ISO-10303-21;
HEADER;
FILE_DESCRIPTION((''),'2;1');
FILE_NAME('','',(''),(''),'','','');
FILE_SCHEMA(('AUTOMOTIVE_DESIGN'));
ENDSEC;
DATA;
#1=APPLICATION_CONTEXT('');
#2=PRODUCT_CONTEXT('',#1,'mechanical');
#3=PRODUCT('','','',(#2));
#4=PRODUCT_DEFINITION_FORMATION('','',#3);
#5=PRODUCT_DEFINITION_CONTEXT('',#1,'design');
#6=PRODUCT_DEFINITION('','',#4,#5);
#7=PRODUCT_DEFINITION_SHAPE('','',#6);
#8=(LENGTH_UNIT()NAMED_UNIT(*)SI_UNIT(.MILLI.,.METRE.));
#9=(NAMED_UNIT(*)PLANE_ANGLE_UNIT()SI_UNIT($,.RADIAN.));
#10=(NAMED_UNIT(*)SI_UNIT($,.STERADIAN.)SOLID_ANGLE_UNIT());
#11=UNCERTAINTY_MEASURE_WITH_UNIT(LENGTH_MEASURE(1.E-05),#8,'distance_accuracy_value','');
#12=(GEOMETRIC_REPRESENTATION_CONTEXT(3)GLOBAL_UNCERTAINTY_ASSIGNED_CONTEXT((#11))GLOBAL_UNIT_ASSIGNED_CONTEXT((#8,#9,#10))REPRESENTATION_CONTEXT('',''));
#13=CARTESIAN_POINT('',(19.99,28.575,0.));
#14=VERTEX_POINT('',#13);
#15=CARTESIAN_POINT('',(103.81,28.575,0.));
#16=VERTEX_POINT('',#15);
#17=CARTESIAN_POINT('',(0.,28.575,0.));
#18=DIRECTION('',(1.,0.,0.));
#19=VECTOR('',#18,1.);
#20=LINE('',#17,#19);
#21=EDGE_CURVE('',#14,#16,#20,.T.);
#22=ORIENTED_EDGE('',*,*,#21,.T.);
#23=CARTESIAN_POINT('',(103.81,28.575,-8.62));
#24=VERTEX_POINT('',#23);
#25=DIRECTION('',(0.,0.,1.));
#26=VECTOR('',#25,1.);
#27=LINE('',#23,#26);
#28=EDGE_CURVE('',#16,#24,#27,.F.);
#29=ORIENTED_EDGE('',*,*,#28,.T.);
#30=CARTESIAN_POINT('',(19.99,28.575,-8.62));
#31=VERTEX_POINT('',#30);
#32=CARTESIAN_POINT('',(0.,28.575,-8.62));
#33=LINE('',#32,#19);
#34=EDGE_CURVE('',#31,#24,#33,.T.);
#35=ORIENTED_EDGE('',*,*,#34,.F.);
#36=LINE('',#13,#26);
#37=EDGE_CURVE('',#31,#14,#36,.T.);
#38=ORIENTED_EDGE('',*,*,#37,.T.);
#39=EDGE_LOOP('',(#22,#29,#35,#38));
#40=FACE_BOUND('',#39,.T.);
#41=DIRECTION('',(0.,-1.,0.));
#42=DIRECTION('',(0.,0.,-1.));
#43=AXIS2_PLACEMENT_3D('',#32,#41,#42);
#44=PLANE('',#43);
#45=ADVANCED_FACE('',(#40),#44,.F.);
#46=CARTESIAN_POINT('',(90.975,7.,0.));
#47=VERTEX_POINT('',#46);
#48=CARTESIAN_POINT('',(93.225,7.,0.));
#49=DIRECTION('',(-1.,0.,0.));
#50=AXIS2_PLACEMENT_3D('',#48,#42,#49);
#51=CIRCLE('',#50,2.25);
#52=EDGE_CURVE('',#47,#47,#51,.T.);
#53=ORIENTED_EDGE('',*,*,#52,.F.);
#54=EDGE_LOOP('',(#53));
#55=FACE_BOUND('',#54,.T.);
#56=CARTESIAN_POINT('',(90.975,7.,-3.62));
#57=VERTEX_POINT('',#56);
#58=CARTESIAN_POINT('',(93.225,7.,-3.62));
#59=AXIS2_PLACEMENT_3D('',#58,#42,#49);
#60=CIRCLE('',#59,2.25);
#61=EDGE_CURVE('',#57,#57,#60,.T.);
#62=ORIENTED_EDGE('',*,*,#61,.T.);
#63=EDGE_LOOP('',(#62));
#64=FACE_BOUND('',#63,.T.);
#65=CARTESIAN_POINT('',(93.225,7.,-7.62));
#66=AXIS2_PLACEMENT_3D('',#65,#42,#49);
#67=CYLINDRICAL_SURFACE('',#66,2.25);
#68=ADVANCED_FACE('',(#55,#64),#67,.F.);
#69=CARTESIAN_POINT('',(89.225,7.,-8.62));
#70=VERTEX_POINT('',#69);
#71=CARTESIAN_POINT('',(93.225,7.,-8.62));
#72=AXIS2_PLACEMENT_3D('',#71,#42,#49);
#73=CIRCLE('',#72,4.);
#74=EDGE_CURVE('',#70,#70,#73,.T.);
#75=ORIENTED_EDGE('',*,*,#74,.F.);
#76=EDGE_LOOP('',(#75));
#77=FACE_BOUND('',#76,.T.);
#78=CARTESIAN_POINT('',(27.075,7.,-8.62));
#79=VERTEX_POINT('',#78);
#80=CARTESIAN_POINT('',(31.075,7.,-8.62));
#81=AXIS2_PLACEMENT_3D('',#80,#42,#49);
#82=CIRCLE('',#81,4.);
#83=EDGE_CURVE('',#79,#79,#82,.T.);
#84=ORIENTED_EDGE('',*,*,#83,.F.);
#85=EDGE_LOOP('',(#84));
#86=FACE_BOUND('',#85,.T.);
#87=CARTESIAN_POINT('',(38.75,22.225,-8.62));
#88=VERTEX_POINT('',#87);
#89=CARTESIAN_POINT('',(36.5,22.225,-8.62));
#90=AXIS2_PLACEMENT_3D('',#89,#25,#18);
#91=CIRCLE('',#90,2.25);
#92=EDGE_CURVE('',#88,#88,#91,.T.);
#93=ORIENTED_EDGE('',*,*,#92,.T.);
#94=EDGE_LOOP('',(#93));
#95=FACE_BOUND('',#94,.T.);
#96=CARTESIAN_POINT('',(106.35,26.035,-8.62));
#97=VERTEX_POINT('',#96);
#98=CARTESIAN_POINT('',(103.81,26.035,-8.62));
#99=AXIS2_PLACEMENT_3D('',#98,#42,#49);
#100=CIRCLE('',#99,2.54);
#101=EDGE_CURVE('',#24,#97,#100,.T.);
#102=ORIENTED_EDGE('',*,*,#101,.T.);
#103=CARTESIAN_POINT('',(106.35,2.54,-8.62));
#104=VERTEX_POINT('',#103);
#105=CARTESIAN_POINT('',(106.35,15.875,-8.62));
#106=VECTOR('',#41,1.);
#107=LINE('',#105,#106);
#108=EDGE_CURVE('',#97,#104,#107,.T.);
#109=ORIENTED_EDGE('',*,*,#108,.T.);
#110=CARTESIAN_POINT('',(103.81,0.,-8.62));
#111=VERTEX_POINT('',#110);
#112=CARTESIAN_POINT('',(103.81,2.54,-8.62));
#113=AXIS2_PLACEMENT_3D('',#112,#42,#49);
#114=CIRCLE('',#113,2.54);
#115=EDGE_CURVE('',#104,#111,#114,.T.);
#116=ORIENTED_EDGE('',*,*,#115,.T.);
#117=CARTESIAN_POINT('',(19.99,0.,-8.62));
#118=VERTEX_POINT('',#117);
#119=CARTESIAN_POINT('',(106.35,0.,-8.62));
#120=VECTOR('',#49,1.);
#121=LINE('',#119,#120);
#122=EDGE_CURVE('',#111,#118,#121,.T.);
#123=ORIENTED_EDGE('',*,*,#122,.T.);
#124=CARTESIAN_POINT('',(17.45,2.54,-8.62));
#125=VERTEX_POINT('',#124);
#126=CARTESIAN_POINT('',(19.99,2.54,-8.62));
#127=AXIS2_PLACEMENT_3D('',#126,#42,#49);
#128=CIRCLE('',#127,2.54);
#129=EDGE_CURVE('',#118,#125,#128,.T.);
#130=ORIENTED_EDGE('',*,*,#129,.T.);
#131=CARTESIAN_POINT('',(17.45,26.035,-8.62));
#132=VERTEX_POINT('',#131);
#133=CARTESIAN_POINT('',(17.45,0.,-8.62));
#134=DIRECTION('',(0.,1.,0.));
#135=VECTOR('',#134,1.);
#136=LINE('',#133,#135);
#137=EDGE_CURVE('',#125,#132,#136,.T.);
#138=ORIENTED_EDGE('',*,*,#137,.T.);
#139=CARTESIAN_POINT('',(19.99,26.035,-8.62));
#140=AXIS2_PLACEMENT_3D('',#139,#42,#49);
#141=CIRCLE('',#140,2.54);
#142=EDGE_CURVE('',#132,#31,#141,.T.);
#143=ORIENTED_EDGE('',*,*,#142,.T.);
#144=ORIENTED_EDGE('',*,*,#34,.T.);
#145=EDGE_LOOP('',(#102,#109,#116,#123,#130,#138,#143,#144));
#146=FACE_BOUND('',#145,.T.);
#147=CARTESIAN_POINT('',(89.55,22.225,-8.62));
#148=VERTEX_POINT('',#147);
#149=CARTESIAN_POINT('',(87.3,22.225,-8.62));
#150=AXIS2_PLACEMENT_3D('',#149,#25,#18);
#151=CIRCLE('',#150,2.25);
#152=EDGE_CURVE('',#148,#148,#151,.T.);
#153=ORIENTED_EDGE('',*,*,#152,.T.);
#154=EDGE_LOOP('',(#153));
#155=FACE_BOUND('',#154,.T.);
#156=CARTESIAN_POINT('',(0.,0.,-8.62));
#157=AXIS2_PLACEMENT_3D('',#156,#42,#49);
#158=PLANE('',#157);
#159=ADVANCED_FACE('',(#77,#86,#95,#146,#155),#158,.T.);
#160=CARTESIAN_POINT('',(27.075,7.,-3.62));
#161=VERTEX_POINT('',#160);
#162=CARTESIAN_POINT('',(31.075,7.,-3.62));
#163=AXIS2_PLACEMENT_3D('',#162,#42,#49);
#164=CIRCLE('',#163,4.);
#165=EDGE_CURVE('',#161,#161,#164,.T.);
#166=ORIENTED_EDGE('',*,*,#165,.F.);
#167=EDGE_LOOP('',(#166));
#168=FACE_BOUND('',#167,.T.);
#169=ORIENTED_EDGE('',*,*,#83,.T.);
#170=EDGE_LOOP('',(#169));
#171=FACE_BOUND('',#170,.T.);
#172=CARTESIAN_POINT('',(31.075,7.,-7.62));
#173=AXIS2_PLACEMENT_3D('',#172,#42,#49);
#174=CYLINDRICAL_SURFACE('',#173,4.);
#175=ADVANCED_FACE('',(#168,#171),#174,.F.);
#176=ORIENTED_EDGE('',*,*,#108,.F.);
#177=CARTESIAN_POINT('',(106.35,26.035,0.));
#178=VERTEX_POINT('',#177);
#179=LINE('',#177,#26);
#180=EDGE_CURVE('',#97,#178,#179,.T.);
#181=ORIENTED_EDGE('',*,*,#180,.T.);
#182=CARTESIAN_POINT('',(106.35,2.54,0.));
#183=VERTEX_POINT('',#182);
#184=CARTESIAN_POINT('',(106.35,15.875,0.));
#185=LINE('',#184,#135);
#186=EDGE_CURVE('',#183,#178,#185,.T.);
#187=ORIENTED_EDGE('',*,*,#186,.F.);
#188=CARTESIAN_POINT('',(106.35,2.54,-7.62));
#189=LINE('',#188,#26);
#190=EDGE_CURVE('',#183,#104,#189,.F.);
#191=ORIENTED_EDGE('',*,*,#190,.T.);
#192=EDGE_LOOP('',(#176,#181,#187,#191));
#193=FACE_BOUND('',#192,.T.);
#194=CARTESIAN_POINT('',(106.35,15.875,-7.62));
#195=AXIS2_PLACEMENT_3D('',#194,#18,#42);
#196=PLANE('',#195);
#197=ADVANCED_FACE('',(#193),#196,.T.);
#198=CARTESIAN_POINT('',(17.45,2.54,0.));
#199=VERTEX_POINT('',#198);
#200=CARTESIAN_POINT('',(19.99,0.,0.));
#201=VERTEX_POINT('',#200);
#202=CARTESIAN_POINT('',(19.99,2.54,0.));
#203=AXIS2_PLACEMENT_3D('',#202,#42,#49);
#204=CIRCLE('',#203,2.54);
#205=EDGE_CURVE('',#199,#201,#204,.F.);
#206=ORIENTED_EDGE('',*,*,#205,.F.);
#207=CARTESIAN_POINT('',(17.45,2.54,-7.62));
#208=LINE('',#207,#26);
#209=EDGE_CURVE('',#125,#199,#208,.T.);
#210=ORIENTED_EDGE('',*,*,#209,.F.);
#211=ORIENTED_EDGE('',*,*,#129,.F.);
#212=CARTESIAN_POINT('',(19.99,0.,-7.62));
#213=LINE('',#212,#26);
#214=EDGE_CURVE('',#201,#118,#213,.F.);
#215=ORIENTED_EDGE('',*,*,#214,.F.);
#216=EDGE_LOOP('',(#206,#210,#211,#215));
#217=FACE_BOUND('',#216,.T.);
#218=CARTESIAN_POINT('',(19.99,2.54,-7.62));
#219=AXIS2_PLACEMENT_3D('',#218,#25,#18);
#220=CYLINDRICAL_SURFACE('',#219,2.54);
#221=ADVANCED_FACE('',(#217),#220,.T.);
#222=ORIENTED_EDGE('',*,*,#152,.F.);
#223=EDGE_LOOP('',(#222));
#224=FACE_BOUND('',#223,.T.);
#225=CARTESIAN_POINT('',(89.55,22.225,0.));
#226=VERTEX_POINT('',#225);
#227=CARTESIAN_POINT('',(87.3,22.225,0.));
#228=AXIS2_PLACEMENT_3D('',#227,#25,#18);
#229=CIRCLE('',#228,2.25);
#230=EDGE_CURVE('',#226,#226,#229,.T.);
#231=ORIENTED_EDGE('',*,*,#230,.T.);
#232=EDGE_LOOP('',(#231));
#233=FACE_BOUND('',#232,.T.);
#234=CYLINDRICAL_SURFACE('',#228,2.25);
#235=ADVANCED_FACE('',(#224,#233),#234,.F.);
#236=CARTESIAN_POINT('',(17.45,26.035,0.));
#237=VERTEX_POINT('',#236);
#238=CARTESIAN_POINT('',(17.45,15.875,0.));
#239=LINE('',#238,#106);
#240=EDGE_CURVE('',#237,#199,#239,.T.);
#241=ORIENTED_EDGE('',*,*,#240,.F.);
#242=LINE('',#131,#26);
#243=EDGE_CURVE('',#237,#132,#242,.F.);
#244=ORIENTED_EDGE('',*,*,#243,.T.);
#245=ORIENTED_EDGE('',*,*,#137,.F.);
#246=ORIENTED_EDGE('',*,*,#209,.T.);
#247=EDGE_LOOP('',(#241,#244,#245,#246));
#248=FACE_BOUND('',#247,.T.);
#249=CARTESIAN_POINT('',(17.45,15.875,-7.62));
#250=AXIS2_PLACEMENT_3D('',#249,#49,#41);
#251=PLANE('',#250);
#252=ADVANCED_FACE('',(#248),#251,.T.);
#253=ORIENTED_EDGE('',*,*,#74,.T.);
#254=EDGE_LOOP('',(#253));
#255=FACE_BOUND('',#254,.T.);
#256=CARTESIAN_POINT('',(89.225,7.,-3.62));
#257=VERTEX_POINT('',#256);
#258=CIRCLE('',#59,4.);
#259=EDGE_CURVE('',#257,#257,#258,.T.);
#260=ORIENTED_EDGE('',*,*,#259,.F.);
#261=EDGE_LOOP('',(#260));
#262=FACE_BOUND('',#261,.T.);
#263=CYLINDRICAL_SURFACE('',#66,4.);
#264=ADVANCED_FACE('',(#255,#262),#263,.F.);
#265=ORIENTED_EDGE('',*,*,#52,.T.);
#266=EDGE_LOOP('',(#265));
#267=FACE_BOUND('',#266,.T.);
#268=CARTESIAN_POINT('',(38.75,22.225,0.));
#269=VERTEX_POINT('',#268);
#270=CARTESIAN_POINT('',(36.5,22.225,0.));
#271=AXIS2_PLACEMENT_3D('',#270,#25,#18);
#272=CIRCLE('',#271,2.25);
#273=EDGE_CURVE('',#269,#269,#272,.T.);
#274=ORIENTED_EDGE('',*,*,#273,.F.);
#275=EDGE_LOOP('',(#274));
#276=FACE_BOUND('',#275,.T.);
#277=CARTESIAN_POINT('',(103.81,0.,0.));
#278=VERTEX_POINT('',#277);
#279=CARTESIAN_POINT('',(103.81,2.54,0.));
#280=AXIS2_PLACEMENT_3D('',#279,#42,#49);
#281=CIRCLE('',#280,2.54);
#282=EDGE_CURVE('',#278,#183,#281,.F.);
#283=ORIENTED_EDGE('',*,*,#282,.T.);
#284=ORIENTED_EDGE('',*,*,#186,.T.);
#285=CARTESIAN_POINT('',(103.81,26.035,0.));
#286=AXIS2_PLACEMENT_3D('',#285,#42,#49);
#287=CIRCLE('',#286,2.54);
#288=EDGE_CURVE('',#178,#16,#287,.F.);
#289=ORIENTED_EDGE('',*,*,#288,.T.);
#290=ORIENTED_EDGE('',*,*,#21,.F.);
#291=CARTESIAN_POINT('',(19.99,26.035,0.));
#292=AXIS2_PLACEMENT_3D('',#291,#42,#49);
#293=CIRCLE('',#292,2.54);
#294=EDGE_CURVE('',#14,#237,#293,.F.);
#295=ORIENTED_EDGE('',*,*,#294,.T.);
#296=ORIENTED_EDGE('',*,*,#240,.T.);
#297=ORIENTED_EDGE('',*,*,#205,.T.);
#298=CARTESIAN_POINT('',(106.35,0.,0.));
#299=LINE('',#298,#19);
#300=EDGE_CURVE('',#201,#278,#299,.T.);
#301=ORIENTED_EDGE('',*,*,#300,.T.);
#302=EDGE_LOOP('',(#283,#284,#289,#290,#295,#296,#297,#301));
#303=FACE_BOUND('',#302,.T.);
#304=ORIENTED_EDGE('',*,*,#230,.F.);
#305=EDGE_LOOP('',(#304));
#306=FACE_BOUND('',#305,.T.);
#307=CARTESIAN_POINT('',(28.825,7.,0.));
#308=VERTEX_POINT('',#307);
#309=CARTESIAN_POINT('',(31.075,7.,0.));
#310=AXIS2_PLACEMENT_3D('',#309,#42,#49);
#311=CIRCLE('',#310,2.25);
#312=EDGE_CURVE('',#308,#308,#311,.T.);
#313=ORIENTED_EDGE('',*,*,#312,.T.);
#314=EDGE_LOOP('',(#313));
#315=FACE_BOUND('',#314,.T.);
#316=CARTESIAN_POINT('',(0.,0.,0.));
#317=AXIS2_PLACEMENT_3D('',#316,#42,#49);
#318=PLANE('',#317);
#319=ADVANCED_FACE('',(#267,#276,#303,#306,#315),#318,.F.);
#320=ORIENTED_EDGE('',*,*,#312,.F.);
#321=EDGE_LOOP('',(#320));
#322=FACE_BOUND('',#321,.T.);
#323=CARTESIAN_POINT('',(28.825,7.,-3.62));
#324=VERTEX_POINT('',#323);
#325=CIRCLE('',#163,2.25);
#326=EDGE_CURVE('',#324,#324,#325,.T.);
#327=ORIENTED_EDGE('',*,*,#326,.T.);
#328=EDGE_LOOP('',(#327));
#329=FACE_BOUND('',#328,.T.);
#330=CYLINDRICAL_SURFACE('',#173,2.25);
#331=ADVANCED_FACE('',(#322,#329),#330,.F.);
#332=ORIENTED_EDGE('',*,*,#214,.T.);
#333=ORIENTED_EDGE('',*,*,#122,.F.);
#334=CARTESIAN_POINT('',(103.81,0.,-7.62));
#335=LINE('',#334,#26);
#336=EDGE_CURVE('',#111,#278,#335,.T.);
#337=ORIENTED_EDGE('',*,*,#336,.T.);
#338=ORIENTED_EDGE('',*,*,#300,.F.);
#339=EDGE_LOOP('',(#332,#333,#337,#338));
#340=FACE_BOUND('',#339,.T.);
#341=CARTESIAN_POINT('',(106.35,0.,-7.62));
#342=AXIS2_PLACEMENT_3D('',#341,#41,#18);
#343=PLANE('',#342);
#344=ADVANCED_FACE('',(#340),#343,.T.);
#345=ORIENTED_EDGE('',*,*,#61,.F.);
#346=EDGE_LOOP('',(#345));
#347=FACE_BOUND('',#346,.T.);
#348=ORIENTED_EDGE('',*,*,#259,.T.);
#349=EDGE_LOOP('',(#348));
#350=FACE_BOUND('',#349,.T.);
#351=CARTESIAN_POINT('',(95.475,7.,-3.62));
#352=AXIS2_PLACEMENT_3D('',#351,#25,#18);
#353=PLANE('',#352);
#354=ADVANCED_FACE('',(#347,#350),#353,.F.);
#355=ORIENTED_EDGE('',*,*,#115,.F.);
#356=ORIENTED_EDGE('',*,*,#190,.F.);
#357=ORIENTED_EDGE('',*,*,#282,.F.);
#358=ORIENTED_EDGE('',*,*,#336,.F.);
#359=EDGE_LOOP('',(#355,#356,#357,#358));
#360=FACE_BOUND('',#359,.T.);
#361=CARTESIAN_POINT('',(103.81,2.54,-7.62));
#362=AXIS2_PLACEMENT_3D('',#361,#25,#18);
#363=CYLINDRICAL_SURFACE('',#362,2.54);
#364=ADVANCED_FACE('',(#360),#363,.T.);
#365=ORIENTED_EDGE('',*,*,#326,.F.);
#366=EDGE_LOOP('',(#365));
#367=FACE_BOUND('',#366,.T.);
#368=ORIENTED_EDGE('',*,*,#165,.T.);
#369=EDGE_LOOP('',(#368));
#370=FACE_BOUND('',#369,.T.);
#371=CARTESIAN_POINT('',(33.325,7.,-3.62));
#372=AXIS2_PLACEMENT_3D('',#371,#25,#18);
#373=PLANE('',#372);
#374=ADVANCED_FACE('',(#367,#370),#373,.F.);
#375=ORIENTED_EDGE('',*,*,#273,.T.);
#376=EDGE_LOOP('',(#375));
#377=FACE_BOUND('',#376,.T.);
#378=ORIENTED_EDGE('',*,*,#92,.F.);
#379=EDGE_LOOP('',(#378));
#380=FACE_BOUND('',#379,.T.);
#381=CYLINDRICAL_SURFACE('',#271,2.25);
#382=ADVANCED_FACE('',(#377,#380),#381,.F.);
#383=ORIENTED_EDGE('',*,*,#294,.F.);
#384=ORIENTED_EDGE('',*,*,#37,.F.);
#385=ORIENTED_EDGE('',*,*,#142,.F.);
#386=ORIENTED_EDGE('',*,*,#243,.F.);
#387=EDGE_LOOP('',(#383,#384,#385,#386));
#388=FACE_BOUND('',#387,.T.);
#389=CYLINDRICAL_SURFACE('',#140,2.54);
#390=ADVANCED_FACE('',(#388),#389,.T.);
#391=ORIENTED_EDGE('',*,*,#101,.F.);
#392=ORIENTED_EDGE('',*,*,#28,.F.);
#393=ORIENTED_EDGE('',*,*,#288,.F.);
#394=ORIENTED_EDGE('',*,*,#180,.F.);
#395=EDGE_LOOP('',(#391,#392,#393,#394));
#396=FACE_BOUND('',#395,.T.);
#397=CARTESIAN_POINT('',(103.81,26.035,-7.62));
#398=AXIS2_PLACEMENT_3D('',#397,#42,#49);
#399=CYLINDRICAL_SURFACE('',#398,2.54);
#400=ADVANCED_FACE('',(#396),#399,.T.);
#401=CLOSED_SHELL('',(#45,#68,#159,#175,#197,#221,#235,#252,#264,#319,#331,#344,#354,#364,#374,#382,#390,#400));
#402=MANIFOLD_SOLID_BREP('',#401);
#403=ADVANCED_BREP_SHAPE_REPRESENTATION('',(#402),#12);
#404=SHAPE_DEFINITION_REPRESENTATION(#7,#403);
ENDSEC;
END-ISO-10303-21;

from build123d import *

# Parameters (mm, degrees)
SKETCH1_W                      = 88.9
SKETCH1_H                      = 15.875
BOSS_EXTRUDE1_DEPTH            = 7.62
CBORE_FOR_M4_SHCS1_D           = 4.5
CBORE_FOR_M4_SHCS1_CBORE_D     = 8
CBORE_FOR_M4_SHCS1_CBORE_DEPTH = 4
SKETCH4_W                      = 88.9
SKETCH4_H                      = 15.875
SKETCH4_R                      = 4
BOSS_EXTRUDE2_DEPTH            = 1
SKETCH5_W                      = 88.9
SKETCH5_H                      = 12.7
SKETCH5_R                      = 2
BOSS_EXTRUDE3_DEPTH            = 8.62
M4_CLEARANCE_HOLE1_D           = 4.5
FILLET1_R                      = 2.54


with BuildPart() as part:
    # Sketch1 → Boss-Extrude1 (new body)
    with BuildSketch(Plane.XY):
        with Locations((61.9, 7.9375)):
            Rectangle(SKETCH1_W, SKETCH1_H)
    extrude(amount=-BOSS_EXTRUDE1_DEPTH)

    # CBORE for M4 SHCS1 (through all)
    with Locations(Plane(origin=(0, 0, -7.62), x_dir=(-1, 0, 0), z_dir=(0, 0, -1))):
        with Locations((-93.225, 7), (-31.075, 7)):
            CounterBoreHole(CBORE_FOR_M4_SHCS1_D / 2, CBORE_FOR_M4_SHCS1_CBORE_D / 2, CBORE_FOR_M4_SHCS1_CBORE_DEPTH)

    # Sketch4 → Boss-Extrude2 (add)
    with BuildSketch(Plane(origin=(0, 0, -7.62), x_dir=(-1, 0, 0), z_dir=(0, 0, -1))):
        with Locations((-61.9, 7.9375)):
            Rectangle(SKETCH4_W, SKETCH4_H)
        with Locations((-93.225, 7)):
            Circle(SKETCH4_R, mode=Mode.SUBTRACT)
        with Locations((-31.075, 7)):
            Circle(SKETCH4_R, mode=Mode.SUBTRACT)
    extrude(amount=BOSS_EXTRUDE2_DEPTH)

    # Sketch5 → Boss-Extrude3 (add)
    with BuildSketch(Plane.XY):
        with Locations((61.9, 22.225)):
            Rectangle(SKETCH5_W, SKETCH5_H)
        with Locations((36.5, 22.225)):
            Circle(SKETCH5_R, mode=Mode.SUBTRACT)
        with Locations((87.3, 22.225)):
            Circle(SKETCH5_R, mode=Mode.SUBTRACT)
        with Locations((36.5, 22.225)):
            Circle(SKETCH5_R)
        with Locations((87.3, 22.225)):
            Circle(SKETCH5_R)
    extrude(amount=-BOSS_EXTRUDE3_DEPTH)

    # M4 Clearance Hole1 (through all)
    with Locations(Plane.XY):
        with Locations((36.5, 22.225), (87.3, 22.225)):
            Hole(M4_CLEARANCE_HOLE1_D / 2)

    # Fillet1
    fillet1_edges = [part.edges().sort_by_distance(p)[0] for p in [
        (17.45, 28.575, -4.31),
        (106.35, 28.575, -4.31),
        (106.35, 0, -4.31),
        (17.45, 0, -4.31),
    ]]
    fillet(fillet1_edges, radius=FILLET1_R)


solid = part.part
